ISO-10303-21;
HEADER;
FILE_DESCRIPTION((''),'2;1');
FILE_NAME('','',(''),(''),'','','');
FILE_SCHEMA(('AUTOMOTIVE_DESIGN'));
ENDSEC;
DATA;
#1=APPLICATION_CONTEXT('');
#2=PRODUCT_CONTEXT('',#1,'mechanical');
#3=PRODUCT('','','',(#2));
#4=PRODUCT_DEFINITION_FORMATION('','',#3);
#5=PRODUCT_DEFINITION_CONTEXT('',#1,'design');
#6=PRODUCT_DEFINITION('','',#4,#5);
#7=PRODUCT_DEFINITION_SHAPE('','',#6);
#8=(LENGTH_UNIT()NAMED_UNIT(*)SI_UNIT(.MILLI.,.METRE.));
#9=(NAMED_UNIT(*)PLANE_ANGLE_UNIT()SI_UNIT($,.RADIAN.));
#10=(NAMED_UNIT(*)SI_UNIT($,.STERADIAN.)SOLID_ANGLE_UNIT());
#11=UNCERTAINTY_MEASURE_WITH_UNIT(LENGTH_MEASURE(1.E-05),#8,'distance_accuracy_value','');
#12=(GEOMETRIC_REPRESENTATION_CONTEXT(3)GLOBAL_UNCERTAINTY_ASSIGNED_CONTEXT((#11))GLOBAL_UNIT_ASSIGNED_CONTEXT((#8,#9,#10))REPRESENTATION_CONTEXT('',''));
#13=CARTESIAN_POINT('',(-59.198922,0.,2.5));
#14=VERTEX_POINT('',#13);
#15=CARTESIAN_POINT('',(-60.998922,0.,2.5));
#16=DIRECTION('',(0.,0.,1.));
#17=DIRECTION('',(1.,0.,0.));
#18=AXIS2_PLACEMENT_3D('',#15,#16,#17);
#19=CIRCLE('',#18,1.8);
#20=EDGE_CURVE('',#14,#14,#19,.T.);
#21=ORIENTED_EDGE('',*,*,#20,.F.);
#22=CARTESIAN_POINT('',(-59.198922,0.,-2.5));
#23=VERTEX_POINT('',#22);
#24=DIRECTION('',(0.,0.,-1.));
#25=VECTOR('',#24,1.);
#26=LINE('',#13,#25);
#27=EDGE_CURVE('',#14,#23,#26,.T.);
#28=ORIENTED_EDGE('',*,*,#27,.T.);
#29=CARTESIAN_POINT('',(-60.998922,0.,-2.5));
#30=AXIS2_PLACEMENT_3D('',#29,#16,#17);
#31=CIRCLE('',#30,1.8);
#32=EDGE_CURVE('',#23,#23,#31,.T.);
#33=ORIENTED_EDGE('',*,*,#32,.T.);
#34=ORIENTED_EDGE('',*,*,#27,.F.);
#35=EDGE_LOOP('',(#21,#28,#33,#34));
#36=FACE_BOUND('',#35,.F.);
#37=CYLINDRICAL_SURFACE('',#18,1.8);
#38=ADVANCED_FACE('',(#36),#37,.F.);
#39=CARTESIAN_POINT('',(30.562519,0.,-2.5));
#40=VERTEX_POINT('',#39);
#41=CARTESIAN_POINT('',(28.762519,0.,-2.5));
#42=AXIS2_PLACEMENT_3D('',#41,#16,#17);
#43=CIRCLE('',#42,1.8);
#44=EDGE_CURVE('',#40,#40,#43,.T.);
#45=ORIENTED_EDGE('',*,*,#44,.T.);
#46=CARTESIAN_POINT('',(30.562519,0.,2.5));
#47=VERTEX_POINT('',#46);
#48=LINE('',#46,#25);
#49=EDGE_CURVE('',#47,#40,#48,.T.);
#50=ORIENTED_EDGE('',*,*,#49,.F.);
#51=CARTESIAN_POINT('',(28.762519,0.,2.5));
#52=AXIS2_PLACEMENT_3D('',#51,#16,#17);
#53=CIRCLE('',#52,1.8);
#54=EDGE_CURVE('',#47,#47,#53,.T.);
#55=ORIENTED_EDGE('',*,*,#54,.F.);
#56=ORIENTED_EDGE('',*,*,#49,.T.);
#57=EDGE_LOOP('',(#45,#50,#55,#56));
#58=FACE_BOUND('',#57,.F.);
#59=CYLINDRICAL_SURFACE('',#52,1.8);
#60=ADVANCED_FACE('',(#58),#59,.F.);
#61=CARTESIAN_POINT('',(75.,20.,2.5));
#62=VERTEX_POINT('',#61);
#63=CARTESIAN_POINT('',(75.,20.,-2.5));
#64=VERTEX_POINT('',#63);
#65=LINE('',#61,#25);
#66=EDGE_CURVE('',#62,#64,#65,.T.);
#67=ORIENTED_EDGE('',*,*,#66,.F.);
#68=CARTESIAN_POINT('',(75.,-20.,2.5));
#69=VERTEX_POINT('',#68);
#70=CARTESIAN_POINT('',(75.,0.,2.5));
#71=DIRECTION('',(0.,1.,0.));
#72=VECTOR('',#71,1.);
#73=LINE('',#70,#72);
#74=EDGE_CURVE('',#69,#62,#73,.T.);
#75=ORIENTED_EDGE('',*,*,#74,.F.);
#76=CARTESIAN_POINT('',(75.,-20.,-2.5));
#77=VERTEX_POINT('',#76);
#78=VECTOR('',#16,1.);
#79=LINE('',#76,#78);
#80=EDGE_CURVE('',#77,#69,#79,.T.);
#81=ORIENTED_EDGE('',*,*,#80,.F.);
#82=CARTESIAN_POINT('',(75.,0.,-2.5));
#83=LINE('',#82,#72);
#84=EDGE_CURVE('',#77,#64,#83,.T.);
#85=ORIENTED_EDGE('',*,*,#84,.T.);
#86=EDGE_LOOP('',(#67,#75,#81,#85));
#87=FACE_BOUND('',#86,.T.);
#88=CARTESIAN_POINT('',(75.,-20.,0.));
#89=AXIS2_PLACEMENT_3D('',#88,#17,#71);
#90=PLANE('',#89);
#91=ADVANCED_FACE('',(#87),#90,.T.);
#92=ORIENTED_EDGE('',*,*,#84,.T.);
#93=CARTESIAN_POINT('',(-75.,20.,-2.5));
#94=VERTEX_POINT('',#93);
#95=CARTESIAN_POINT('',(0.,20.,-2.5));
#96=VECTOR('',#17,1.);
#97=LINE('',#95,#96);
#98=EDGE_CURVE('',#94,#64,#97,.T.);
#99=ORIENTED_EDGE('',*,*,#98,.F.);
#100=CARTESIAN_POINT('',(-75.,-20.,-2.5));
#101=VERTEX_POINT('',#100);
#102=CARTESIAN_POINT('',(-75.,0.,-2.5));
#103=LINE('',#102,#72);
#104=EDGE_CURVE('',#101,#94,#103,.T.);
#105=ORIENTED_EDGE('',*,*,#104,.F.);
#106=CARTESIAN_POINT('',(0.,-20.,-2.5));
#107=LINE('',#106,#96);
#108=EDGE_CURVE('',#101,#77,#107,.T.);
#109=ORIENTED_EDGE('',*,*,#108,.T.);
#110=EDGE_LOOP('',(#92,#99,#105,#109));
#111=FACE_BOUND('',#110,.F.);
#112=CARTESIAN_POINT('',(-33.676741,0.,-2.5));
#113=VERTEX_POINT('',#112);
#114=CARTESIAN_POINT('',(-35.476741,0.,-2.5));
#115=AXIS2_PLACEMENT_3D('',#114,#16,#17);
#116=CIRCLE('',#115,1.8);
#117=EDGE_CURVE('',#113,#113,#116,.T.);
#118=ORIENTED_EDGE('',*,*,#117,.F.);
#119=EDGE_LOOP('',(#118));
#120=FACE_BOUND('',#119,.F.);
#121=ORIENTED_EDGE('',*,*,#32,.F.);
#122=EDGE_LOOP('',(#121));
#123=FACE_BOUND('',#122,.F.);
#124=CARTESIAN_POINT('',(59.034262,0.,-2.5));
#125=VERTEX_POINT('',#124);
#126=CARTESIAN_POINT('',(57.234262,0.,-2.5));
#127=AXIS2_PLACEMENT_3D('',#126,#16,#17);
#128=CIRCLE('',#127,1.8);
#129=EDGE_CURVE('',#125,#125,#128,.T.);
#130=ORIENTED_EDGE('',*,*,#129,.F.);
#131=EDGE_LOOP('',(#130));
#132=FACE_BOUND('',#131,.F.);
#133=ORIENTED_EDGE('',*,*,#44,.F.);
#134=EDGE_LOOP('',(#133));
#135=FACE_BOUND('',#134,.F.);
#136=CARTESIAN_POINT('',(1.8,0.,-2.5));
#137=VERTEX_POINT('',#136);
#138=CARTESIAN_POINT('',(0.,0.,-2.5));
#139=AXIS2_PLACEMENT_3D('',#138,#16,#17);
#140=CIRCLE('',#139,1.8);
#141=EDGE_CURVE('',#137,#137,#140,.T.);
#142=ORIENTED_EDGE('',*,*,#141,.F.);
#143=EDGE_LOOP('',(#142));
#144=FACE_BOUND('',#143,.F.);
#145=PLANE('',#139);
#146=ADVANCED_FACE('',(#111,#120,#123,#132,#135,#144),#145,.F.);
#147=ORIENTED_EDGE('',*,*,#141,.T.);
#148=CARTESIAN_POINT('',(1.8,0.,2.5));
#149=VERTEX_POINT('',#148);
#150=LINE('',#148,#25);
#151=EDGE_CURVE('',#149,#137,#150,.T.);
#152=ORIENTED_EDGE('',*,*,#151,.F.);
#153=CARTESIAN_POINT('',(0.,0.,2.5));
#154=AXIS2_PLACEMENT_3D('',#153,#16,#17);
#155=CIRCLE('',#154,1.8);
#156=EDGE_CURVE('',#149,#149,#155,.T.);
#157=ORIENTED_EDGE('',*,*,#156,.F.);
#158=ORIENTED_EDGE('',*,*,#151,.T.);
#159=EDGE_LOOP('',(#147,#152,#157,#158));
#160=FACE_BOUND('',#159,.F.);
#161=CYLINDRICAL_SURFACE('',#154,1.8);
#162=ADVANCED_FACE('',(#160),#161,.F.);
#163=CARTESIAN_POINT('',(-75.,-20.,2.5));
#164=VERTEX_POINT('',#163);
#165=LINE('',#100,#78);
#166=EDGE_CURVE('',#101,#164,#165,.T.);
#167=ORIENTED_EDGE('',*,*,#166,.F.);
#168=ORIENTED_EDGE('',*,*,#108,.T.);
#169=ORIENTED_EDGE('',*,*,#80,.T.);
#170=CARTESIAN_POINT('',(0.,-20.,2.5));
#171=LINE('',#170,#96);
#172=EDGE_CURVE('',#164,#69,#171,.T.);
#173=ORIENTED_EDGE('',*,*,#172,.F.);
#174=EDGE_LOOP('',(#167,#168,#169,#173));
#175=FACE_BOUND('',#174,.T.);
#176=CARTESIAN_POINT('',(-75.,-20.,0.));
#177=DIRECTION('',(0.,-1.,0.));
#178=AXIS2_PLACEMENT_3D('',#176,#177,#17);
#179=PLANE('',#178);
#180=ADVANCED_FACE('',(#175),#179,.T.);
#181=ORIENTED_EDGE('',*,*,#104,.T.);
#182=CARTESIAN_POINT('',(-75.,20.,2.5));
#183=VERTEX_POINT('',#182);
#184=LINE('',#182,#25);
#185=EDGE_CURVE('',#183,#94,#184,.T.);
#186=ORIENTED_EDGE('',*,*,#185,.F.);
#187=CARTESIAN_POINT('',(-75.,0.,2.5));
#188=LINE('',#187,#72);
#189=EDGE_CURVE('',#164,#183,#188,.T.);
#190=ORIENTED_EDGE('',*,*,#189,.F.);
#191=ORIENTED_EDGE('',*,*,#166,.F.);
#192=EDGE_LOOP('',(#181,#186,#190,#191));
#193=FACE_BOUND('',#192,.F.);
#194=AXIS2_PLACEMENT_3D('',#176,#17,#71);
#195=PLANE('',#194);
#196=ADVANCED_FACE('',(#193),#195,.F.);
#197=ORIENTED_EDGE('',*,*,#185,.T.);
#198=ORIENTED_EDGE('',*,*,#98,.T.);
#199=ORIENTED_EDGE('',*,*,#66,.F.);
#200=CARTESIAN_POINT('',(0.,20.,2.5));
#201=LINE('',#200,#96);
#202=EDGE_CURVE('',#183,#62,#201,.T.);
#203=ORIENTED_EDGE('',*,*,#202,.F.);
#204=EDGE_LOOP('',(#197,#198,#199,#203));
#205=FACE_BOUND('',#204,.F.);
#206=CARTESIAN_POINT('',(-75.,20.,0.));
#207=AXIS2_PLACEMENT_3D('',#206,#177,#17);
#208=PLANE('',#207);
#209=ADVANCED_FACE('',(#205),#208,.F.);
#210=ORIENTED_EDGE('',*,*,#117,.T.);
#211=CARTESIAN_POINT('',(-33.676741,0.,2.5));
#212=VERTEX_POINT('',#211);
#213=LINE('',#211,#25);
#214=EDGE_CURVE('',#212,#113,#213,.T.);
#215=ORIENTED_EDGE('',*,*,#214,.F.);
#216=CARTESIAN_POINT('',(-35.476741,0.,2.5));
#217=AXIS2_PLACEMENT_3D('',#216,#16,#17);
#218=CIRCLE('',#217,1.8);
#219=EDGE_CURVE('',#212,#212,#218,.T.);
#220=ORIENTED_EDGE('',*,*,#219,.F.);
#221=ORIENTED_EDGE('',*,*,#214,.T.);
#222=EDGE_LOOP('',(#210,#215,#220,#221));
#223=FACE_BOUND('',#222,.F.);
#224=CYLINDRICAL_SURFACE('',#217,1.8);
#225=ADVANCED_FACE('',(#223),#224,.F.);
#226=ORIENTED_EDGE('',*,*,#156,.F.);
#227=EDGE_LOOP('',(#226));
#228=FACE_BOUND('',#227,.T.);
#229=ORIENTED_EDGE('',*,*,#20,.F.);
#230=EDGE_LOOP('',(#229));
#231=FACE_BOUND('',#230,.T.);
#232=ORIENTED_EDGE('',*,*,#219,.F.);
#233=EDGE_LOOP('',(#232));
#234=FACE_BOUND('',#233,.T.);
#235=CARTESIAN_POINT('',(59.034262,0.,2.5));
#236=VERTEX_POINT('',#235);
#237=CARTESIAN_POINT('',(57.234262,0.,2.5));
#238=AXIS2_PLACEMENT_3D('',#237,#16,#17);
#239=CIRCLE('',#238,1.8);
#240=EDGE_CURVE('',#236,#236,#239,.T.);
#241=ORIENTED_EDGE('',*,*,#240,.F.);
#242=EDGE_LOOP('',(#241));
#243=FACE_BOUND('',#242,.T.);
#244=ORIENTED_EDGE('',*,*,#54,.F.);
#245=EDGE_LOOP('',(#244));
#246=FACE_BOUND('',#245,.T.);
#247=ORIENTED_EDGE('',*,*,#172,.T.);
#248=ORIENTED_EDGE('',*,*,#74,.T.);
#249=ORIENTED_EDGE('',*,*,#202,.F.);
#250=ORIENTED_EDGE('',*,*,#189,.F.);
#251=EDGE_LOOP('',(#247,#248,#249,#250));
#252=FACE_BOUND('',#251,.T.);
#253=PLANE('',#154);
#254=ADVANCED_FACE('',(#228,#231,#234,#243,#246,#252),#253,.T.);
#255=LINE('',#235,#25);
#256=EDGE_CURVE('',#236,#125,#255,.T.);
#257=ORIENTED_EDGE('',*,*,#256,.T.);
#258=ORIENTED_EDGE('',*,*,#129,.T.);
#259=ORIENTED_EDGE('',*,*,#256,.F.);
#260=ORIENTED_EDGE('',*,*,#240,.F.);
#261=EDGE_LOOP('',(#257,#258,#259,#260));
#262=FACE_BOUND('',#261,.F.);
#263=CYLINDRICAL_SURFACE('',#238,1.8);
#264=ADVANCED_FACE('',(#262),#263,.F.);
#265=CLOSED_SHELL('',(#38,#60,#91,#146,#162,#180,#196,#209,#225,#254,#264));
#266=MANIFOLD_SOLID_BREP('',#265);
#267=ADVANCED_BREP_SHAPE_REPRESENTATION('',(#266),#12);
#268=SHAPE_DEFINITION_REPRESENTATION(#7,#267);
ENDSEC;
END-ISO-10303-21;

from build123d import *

# Parameters (mm, degrees)
F0_W     = 150
F0_H     = 40
F1_DEPTH = 2.5
F2_R     = 1.8
F3_DEPTH = 8


with BuildPart() as f1:
    # F0 (on Top) → F1 (new body, symmetric)
    with BuildSketch(Plane.XY):
        Rectangle(F0_W, F0_H)
    extrude(amount=F1_DEPTH, both=True)

    # F2 (on face) → F3 (cut)
    with BuildSketch(Plane.XY.offset(2.5)):
        with Locations((57.234262, 0)):
            Circle(F2_R)
        with Locations((28.762519, 0)):
            Circle(F2_R)
        Circle(F2_R)
        with Locations((-35.476741, 0)):
            Circle(F2_R)
        with Locations((-60.998922, 0)):
            Circle(F2_R)
    extrude(amount=-F3_DEPTH, mode=Mode.SUBTRACT)


solid = f1.part
